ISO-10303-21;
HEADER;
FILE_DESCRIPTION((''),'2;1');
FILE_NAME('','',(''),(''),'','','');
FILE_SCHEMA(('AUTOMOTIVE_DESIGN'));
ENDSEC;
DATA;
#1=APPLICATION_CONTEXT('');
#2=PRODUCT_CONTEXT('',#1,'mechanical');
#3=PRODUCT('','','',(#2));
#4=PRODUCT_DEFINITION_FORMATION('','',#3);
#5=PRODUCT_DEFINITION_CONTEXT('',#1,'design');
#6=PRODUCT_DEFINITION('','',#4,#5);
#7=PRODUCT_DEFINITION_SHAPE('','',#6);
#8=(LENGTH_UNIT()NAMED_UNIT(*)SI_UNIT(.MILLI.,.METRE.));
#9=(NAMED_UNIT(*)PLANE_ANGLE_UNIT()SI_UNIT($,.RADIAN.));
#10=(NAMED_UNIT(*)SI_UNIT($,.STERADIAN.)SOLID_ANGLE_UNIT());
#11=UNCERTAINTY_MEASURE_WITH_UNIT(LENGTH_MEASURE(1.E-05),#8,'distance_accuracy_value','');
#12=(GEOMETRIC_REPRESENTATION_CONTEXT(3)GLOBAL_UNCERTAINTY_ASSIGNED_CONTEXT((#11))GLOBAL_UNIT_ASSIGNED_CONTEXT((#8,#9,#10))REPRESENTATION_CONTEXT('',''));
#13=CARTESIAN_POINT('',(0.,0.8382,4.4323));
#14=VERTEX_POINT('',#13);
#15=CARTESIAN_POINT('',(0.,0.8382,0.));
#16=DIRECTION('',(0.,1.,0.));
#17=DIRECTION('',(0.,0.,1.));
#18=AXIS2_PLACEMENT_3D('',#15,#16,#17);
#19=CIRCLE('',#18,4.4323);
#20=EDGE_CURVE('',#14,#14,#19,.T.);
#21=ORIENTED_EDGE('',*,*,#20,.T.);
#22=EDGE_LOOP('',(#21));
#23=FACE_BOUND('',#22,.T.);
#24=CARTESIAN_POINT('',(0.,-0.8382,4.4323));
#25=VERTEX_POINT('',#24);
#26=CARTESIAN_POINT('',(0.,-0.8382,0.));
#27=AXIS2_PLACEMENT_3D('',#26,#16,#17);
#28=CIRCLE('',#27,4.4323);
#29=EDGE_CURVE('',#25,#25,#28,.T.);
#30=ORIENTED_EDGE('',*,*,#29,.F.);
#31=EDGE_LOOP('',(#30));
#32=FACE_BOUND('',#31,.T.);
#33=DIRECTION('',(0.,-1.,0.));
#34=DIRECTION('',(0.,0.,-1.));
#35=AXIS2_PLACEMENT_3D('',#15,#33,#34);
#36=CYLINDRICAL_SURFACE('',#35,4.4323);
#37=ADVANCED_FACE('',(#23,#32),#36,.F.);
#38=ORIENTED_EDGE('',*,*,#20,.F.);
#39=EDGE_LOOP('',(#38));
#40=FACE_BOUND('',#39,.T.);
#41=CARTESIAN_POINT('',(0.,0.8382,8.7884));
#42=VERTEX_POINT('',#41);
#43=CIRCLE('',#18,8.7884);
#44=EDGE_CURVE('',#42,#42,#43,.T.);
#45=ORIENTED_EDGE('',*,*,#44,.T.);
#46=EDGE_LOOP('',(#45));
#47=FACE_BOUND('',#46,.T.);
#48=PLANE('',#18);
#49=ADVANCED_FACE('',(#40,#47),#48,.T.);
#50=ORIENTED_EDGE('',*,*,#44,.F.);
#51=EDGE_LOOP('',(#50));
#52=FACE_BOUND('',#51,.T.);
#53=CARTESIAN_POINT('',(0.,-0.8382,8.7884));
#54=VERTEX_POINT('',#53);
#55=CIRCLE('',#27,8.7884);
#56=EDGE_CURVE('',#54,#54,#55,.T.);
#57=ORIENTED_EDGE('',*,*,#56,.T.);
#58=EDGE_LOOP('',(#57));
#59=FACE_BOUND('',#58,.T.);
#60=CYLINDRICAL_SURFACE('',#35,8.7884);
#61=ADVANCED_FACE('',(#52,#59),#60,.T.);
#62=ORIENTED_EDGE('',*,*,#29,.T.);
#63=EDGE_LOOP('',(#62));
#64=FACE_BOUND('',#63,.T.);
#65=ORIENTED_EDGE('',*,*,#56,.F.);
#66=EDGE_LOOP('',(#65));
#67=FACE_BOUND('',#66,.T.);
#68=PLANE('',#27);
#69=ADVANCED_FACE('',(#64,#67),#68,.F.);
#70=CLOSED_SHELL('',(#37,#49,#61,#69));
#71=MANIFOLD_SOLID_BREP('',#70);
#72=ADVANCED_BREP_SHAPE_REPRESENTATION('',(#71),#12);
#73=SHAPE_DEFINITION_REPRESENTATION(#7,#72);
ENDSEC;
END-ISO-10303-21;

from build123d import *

# Parameters (mm, degrees)
SKETCH1_R           = 8.7884
SKETCH1_R_2         = 4.4323
BOSS_EXTRUDE1_DEPTH = 0.8382


with BuildPart() as part:
    # Sketch1 → Boss-Extrude1 (new body, symmetric)
    with BuildSketch(Plane(origin=(0, 0, 0), x_dir=(1, 0, 0), z_dir=(0, 1, 0))):
        Circle(SKETCH1_R)
        Circle(SKETCH1_R_2, mode=Mode.SUBTRACT)
    extrude(amount=BOSS_EXTRUDE1_DEPTH, both=True)


solid = part.part
